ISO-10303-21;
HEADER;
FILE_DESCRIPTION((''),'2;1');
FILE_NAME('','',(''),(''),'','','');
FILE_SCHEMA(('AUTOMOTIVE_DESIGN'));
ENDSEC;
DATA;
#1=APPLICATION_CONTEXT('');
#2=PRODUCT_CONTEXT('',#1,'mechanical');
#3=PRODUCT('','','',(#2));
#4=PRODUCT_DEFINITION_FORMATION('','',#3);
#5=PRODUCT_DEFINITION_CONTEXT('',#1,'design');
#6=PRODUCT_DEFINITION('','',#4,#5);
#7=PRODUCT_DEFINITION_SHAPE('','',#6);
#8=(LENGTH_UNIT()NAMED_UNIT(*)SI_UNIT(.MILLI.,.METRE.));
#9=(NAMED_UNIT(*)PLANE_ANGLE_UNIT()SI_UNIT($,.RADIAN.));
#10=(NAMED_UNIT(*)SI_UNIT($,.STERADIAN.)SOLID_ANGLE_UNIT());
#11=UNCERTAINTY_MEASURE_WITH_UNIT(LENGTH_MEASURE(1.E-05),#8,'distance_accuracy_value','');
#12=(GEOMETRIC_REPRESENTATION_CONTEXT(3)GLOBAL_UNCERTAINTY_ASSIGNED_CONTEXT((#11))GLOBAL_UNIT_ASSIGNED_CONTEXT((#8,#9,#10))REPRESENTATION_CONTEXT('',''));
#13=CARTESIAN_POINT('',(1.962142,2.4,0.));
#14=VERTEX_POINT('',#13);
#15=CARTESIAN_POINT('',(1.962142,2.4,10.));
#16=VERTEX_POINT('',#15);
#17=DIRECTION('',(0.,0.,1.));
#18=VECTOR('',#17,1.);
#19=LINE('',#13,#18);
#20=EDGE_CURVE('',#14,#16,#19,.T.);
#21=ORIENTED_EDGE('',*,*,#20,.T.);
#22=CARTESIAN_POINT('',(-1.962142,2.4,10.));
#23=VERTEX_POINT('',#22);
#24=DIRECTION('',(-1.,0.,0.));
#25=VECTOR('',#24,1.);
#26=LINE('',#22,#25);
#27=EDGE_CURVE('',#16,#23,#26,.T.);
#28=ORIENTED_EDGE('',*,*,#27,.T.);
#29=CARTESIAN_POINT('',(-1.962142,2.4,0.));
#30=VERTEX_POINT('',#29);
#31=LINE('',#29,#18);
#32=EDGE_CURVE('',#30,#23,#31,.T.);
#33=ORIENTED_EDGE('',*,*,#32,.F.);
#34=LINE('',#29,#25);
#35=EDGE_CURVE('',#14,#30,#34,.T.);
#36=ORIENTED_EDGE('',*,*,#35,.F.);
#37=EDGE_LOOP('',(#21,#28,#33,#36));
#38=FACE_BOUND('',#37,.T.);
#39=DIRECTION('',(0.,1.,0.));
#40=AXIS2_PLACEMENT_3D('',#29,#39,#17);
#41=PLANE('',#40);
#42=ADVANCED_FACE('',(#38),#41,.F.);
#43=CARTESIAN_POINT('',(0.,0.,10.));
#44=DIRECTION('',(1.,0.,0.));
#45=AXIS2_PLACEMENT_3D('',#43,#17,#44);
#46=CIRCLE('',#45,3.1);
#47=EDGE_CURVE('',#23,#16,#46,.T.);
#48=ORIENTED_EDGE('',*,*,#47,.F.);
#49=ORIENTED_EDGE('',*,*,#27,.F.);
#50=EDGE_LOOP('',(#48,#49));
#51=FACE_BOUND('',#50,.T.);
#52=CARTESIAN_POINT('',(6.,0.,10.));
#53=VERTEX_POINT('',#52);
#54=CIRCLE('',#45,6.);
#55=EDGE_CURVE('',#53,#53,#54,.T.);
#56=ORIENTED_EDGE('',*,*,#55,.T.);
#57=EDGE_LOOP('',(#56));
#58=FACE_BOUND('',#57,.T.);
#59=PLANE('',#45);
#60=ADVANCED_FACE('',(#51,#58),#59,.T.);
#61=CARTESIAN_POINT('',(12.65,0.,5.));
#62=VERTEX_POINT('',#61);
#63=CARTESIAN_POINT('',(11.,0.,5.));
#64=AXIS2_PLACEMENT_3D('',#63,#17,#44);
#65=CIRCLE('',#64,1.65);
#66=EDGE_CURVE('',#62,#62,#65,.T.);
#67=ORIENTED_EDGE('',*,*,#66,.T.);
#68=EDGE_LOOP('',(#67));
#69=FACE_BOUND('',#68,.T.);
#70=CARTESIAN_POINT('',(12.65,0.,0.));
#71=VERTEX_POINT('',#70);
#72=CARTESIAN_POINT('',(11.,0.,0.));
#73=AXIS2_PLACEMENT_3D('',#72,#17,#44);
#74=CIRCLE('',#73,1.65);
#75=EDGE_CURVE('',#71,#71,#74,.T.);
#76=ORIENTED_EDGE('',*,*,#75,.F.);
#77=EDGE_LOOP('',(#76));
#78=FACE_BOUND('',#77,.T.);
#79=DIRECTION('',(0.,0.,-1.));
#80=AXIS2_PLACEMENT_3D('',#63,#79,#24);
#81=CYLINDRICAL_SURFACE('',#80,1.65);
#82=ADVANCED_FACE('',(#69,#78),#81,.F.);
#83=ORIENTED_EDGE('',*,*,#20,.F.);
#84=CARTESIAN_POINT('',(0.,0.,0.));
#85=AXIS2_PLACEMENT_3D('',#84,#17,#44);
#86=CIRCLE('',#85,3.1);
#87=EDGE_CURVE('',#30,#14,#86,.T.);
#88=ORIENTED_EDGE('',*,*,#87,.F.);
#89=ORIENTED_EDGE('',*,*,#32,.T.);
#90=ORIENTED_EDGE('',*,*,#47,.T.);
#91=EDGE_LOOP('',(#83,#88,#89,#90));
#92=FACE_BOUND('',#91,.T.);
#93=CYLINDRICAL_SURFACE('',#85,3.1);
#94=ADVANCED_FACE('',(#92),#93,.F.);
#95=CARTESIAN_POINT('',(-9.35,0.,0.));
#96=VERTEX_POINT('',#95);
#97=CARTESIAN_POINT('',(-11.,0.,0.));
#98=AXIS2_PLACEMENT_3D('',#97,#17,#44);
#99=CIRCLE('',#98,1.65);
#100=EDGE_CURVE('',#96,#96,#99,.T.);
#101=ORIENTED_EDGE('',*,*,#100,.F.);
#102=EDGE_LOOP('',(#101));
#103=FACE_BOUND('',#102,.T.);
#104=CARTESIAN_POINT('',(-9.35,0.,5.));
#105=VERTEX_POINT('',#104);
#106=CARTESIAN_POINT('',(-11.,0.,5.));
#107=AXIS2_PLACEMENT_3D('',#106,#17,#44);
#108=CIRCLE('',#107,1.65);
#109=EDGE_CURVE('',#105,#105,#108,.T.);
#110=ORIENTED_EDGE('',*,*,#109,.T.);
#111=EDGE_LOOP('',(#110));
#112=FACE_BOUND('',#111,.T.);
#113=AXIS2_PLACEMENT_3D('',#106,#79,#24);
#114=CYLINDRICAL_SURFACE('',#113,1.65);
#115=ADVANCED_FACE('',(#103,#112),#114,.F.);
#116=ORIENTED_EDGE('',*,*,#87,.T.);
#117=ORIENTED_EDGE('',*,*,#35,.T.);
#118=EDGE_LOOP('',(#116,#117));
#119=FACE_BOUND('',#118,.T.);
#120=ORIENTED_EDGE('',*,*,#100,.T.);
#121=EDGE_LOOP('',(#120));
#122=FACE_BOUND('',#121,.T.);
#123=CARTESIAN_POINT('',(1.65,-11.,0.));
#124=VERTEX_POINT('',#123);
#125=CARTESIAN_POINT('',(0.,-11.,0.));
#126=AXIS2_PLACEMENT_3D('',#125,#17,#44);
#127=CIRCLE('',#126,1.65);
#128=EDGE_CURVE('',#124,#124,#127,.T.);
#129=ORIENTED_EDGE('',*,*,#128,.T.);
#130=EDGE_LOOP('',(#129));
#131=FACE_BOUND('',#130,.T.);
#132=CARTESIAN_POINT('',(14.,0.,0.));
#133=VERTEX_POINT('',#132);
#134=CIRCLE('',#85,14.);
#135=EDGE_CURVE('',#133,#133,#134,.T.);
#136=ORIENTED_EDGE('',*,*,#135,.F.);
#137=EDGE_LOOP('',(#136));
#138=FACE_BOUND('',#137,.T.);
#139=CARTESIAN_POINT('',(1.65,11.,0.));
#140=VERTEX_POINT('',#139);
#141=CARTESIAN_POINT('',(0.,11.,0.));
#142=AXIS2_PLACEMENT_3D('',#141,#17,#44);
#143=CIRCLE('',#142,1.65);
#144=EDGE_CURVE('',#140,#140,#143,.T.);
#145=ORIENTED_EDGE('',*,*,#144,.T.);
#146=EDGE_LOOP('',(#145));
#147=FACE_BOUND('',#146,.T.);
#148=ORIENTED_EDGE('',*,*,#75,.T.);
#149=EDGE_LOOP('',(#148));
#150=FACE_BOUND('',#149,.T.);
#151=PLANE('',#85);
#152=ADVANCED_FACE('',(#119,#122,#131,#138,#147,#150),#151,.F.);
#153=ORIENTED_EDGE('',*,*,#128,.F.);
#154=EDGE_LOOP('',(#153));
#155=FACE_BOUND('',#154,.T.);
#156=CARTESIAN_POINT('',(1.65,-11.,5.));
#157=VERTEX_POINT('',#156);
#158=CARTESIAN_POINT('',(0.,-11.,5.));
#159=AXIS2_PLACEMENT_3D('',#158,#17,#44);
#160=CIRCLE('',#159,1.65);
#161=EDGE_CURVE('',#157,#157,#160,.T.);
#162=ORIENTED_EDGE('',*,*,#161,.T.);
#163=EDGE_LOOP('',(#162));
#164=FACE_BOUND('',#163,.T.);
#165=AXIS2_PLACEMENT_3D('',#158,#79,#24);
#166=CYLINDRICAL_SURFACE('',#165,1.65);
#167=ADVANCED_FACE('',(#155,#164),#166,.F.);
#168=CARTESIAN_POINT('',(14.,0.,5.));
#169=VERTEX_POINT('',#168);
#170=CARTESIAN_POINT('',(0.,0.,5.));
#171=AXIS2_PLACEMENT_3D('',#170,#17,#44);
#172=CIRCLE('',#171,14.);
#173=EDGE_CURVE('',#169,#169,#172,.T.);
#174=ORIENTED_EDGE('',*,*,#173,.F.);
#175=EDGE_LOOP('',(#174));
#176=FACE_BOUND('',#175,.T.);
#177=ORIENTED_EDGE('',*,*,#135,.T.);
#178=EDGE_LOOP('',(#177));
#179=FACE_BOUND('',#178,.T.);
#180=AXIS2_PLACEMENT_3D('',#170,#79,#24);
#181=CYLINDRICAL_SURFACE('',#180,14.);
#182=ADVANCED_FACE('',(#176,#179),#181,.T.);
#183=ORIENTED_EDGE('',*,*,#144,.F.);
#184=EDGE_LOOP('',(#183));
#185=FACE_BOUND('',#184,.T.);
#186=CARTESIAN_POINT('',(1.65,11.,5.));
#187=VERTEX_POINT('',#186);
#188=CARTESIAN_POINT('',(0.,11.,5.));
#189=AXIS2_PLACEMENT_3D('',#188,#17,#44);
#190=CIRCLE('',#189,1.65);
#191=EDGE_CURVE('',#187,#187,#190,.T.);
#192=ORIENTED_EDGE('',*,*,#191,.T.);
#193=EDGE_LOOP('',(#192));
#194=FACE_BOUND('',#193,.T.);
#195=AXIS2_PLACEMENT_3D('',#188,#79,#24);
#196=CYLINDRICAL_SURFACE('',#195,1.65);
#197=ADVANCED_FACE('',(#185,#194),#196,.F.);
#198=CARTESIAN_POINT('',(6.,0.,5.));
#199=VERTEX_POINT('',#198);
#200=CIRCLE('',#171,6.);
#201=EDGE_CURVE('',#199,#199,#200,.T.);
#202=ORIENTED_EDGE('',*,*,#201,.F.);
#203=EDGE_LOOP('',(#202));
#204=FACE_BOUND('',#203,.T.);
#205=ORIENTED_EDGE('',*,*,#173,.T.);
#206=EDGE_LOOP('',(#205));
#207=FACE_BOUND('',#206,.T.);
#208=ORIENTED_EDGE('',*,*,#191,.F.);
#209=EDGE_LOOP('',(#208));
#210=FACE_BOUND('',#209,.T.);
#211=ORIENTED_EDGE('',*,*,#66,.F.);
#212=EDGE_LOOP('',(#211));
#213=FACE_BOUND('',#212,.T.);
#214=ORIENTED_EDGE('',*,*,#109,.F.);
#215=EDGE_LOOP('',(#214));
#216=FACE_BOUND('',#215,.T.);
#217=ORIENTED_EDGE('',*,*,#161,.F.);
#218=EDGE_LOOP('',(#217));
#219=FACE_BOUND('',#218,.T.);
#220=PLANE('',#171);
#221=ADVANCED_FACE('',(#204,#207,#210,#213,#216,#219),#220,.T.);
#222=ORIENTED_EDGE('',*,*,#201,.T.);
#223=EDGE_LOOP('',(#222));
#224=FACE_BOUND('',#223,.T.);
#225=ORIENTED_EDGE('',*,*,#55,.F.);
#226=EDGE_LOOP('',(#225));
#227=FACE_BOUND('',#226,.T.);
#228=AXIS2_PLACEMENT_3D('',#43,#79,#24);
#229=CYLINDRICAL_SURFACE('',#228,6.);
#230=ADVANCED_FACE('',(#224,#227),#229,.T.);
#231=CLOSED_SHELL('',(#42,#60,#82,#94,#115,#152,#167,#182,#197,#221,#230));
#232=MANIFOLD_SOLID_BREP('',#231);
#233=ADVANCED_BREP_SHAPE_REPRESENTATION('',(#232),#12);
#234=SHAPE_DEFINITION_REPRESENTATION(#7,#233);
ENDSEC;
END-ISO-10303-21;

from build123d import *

# Parameters (mm, degrees)
SKETCH1_R           = 14
SKETCH1_R_2         = 1.65
BOSS_EXTRUDE1_DEPTH = 5
SKETCH2_R           = 6
BOSS_EXTRUDE2_DEPTH = 5
CUT_EXTRUDE1_DEPTH  = 11


with BuildPart() as part:
    # Sketch1 → Boss-Extrude1 (new body)
    with BuildSketch(Plane.XY):
        Circle(SKETCH1_R)
        with Locations((0, 11)):
            Circle(SKETCH1_R_2, mode=Mode.SUBTRACT)
        with Locations((11, 0)):
            Circle(SKETCH1_R_2, mode=Mode.SUBTRACT)
        with Locations((0, -11)):
            Circle(SKETCH1_R_2, mode=Mode.SUBTRACT)
        with Locations((-11, 0)):
            Circle(SKETCH1_R_2, mode=Mode.SUBTRACT)
    extrude(amount=BOSS_EXTRUDE1_DEPTH)

    # Sketch2 → Boss-Extrude2 (add)
    with BuildSketch(Plane.XY.offset(5)):
        Circle(SKETCH2_R)
    extrude(amount=BOSS_EXTRUDE2_DEPTH)

    # Sketch3 → Cut-Extrude1 (cut, through all)
    with BuildSketch(Plane.XY.offset(10)):
        with BuildLine():
            Line((-1.962141687, 2.4), (1.962141687, 2.4))
            ThreePointArc((1.962141687, 2.4), (0, -3.1), (-1.962141687, 2.4))
        make_face()
    extrude(amount=-CUT_EXTRUDE1_DEPTH, mode=Mode.SUBTRACT)


solid = part.part
